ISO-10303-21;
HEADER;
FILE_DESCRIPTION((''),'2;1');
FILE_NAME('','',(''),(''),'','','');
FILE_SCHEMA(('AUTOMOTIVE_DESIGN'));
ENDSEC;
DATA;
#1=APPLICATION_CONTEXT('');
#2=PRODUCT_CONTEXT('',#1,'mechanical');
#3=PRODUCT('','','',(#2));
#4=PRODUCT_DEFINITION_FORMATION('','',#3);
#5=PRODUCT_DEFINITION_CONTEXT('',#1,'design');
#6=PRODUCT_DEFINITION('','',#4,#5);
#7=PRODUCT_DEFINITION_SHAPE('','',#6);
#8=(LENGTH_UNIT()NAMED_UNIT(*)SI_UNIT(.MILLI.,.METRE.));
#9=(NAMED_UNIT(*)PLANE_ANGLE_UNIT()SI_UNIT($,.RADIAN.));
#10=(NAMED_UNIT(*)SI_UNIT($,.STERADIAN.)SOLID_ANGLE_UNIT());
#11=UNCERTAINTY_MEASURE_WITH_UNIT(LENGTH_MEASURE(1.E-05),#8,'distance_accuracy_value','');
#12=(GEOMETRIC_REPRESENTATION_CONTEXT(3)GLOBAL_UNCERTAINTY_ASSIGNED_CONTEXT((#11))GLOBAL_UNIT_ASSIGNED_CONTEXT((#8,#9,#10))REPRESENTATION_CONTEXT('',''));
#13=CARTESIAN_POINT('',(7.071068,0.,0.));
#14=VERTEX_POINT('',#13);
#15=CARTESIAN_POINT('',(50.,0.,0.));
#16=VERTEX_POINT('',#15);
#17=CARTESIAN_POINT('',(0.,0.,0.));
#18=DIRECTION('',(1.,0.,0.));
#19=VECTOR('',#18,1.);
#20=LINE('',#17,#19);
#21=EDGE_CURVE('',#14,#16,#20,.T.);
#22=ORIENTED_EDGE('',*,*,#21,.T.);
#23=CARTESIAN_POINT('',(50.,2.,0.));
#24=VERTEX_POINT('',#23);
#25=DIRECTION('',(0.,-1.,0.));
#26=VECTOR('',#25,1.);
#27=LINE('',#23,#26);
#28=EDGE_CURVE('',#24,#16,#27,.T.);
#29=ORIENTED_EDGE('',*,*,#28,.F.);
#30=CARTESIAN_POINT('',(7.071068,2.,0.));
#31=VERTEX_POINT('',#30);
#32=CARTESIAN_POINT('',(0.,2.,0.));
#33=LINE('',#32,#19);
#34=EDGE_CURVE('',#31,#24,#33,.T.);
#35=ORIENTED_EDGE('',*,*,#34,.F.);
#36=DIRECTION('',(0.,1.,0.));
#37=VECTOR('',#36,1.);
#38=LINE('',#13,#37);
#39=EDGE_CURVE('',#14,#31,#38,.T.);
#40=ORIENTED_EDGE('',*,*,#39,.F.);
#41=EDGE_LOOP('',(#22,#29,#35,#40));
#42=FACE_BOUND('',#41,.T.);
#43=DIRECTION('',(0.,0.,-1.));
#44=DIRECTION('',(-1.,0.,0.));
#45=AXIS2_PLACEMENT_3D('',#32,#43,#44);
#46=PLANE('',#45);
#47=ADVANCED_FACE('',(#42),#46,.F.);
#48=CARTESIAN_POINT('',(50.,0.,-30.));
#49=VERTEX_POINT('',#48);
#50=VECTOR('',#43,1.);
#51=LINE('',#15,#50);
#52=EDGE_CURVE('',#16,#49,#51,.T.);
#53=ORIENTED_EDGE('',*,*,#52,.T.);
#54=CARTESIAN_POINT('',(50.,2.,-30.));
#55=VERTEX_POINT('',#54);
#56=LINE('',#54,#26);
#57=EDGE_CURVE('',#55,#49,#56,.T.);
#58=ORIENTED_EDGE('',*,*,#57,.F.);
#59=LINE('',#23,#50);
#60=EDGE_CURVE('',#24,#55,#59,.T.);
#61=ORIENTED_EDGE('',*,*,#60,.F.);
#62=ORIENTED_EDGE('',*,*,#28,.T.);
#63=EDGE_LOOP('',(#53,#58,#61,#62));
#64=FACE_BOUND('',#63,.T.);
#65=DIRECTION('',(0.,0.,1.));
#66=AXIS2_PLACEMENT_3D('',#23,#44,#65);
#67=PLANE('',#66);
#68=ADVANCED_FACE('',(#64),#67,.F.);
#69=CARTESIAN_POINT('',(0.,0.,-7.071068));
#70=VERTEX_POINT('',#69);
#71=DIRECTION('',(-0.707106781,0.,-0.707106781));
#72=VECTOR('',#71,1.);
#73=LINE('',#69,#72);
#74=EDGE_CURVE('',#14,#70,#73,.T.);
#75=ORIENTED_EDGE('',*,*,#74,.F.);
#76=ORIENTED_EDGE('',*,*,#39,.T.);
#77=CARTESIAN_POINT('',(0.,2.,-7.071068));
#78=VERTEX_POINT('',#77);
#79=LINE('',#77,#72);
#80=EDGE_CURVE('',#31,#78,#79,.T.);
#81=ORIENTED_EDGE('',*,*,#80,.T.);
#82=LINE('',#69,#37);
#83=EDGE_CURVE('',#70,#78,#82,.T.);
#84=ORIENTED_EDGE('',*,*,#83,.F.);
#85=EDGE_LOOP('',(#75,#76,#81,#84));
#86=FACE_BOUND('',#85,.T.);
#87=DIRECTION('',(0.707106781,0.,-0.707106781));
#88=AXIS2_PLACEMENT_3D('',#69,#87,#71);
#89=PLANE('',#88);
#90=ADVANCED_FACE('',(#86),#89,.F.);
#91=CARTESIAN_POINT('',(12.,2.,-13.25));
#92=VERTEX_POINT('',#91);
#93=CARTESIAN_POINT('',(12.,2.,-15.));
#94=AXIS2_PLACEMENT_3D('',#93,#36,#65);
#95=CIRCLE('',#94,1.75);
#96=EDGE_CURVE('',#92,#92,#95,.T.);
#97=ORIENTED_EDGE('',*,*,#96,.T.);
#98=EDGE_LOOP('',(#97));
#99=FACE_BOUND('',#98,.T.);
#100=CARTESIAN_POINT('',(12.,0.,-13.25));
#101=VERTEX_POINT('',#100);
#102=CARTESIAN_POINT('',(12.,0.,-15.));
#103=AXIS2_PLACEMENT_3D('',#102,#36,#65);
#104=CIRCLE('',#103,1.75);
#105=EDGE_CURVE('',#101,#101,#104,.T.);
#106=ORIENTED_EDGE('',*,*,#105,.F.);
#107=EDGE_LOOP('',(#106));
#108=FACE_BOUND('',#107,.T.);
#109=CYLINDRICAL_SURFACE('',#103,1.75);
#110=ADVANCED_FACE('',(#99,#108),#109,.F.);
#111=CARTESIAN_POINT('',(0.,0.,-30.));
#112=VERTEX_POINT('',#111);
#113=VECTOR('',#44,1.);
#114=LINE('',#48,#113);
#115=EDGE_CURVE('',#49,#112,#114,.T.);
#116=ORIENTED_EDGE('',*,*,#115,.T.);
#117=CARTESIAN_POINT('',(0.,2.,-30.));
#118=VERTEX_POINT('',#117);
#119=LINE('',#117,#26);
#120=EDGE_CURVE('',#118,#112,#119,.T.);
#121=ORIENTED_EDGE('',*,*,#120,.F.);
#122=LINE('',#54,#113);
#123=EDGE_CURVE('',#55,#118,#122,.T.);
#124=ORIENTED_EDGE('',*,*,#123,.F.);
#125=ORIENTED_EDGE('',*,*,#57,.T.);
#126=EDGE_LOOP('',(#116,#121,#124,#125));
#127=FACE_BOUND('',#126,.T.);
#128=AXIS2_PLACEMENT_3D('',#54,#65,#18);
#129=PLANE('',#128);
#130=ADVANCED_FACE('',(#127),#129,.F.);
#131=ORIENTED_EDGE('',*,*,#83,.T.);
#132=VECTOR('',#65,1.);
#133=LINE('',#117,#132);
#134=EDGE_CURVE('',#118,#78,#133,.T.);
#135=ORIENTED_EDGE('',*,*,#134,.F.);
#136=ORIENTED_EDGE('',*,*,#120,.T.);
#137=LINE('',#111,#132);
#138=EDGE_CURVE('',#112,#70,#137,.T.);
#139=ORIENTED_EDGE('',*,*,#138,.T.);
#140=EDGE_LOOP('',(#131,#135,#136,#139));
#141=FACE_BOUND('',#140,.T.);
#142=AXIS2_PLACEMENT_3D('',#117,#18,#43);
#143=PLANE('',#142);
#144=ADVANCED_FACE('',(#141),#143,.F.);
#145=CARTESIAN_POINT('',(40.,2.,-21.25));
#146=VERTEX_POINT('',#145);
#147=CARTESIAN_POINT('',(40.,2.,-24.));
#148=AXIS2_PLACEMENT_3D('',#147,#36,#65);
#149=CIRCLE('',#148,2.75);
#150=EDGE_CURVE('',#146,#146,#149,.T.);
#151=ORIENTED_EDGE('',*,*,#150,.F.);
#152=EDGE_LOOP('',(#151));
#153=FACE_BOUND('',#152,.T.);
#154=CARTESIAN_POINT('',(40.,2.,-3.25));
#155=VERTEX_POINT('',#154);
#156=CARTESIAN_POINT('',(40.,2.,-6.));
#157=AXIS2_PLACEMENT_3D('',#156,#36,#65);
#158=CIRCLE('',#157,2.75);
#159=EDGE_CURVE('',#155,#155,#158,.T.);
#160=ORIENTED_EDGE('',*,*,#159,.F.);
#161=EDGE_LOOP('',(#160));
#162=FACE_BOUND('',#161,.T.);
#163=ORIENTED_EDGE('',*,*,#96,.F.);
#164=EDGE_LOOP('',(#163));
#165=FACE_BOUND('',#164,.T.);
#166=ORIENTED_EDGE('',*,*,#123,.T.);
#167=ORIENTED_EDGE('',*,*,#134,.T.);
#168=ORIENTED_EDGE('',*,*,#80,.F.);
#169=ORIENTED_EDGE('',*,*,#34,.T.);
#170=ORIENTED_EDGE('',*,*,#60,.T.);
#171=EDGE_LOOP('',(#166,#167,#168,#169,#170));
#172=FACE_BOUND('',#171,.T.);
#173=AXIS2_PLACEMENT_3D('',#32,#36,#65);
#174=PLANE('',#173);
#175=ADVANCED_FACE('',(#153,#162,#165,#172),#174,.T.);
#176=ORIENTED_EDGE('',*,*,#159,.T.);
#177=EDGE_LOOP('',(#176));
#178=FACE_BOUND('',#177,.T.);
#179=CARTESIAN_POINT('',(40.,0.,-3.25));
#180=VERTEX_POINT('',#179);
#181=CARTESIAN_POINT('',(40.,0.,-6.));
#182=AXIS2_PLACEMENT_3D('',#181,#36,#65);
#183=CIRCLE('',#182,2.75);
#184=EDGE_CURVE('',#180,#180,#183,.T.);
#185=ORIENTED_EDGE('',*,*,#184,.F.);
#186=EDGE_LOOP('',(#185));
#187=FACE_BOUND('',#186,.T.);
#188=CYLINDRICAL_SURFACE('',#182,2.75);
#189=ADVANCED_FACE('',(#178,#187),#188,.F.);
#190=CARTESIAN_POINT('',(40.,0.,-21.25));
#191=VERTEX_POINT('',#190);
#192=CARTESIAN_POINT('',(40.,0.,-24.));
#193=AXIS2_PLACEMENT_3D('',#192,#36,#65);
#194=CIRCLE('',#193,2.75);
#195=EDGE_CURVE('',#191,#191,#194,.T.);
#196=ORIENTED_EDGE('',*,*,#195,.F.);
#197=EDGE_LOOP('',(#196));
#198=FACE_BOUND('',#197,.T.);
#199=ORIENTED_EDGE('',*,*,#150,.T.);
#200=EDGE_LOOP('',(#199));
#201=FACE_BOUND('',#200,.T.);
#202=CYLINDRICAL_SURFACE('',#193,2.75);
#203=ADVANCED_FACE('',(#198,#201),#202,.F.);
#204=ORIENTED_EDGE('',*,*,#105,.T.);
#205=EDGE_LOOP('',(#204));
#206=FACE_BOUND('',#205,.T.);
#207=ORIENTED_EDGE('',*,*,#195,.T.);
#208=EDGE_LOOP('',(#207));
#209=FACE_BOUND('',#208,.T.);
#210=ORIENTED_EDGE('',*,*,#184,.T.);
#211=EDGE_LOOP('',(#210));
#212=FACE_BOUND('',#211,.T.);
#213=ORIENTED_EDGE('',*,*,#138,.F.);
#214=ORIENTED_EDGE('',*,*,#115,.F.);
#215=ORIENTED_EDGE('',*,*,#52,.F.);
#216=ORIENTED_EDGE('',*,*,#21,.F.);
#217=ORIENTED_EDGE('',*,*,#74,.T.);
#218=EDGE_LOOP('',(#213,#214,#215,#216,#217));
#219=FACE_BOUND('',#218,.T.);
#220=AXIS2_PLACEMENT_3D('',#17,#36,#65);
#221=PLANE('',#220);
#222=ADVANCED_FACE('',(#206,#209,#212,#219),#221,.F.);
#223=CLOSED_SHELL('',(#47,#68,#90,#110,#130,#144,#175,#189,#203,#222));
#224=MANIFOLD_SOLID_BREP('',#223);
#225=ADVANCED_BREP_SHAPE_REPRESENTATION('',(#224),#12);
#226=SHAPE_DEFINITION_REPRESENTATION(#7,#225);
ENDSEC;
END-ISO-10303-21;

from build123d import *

# Parameters (mm, degrees)
SKETCH_1_W          = 50
SKETCH_1_H          = 30
EXTRUDE_1_DEPTH     = 2
SKETCH_2_R          = 2.75
SKETCH_2_R_2        = 1.75
CUT_EXTRUDE_1_DEPTH = 3


with BuildPart() as part:
    # 草图1 → 凸台-拉伸1 (new body)
    with BuildSketch(Plane(origin=(0, 0, 0), x_dir=(1, 0, 0), z_dir=(0, 1, 0))):
        with Locations((25, 15)):
            Rectangle(SKETCH_1_W, SKETCH_1_H)
    extrude(amount=EXTRUDE_1_DEPTH)

    # 草图2 → 切除-拉伸1 (cut, through all)
    with BuildSketch(Plane(origin=(0, 2, 0), x_dir=(1, 0, 0), z_dir=(0, 1, 0))):
        with Locations((40, 6)):
            Circle(SKETCH_2_R)
        with Locations((12, 15)):
            Circle(SKETCH_2_R_2)
        with Locations((40, 24)):
            Circle(SKETCH_2_R)
        Polygon((0, 7.071067812), (7.071067812, 0), (0, 0), align=None)
    extrude(amount=-CUT_EXTRUDE_1_DEPTH, mode=Mode.SUBTRACT)


solid = part.part
